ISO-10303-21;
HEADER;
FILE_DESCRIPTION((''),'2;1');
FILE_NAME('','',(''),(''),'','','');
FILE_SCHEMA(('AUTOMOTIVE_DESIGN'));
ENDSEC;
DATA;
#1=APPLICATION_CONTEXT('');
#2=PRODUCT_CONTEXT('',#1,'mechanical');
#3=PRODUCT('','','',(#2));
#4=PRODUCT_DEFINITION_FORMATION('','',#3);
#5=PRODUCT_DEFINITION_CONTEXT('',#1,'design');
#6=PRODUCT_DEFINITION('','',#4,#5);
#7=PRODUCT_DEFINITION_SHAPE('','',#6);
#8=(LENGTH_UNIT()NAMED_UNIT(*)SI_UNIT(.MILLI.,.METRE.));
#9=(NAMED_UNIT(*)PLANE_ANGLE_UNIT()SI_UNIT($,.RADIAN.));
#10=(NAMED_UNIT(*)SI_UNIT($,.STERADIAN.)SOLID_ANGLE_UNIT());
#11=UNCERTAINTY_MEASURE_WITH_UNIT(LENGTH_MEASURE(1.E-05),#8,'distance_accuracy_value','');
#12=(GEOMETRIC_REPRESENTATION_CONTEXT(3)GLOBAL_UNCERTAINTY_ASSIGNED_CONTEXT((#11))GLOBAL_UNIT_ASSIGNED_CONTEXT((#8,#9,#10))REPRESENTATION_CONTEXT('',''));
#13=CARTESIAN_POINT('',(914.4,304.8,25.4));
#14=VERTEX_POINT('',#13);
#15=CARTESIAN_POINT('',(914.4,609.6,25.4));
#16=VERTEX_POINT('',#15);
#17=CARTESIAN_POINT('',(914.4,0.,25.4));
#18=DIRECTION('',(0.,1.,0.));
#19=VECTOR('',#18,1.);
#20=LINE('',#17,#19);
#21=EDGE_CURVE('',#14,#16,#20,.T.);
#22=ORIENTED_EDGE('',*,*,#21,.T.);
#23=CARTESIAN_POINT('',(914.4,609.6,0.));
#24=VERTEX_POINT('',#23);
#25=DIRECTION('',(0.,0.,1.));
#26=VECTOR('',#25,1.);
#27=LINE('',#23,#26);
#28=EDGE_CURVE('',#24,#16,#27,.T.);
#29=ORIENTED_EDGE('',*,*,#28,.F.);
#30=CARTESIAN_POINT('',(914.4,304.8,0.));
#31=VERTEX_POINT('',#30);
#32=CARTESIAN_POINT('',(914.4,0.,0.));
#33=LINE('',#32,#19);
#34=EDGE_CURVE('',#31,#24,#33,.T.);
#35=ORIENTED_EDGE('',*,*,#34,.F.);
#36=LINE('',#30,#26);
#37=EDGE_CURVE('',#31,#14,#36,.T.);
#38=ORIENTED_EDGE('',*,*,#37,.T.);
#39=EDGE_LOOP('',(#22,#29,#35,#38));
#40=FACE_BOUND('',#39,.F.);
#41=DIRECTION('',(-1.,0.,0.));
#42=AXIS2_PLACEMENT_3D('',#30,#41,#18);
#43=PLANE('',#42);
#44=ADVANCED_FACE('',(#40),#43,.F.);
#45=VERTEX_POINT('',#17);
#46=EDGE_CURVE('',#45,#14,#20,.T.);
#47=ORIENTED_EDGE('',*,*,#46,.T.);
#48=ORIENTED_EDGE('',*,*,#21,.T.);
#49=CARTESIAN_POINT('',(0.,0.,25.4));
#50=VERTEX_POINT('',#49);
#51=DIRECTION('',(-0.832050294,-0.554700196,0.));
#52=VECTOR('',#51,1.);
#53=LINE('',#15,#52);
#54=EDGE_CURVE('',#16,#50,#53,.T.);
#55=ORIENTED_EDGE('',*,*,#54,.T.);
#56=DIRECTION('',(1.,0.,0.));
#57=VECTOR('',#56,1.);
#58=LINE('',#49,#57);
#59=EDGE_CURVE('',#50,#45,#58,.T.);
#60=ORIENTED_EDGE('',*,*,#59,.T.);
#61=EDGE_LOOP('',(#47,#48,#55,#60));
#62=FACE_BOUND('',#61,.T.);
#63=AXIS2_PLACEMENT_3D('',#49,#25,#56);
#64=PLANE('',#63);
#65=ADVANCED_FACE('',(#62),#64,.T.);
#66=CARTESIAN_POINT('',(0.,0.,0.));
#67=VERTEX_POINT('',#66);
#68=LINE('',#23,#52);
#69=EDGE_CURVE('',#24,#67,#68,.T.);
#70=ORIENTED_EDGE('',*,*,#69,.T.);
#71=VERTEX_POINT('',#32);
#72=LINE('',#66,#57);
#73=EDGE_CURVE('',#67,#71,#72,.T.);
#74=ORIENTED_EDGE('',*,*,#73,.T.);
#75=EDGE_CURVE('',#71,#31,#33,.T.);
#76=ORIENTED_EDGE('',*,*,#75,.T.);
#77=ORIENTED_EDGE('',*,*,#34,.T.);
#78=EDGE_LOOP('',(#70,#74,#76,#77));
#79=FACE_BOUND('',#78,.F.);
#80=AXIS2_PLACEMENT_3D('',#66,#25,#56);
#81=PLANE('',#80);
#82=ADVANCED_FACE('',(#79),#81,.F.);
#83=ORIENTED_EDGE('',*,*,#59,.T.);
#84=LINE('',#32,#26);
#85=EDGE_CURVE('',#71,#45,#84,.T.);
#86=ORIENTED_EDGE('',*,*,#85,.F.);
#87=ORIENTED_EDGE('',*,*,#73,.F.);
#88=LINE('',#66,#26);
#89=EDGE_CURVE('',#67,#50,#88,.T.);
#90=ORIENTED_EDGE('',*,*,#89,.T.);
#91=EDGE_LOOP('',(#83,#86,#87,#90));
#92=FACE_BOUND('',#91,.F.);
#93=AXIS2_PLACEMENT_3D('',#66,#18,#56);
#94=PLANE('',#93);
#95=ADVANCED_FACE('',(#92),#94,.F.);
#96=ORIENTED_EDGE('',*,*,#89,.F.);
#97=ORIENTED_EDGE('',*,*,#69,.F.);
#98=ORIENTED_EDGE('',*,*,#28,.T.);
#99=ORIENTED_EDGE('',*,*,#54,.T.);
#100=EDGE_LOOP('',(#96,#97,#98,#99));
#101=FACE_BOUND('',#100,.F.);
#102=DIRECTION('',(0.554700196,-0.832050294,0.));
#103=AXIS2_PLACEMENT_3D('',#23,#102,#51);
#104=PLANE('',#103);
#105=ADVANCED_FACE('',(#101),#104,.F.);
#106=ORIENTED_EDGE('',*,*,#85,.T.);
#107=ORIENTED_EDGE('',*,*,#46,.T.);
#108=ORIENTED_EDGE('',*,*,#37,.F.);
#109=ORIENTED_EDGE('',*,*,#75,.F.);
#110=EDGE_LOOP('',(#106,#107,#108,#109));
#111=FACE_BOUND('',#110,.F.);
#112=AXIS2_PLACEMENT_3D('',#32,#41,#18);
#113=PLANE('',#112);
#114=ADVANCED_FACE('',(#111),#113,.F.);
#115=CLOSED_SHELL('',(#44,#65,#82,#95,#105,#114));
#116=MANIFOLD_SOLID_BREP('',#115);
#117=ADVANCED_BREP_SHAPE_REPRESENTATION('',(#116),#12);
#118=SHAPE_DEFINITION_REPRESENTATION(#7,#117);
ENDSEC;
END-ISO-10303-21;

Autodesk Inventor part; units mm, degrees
ref_plane "YZ Plane" through (0, 0, 0) normal (1, 0, 0) x (0, 1, 0)
ref_plane "XZ Plane" through (0, 0, 0) normal (0, 1, 0) x (-1, 0, 0)
ref_plane "XY Plane" through (0, 0, 0) normal (0, 0, 1) x (1, 0, 0)
sketch "Sketch2" plane through (0, 0, 0) normal (0, 0, 1) x (1, 0, 0)
  line L0 (0, 0) -> (914.4, 0)
  line L1 (914.4, 0) -> (914.4, 609.6)
  line L2 (914.4, 609.6) -> (914.4, 304.8)
  line L3 (914.4, 609.6) -> (0, 0)
  dimension "d2" = 914.4
  dimension "d3" = 609.6
extrude "Extrusion1" add sketch "Sketch2" along normal blind 25.4
properties part number "proto01"
